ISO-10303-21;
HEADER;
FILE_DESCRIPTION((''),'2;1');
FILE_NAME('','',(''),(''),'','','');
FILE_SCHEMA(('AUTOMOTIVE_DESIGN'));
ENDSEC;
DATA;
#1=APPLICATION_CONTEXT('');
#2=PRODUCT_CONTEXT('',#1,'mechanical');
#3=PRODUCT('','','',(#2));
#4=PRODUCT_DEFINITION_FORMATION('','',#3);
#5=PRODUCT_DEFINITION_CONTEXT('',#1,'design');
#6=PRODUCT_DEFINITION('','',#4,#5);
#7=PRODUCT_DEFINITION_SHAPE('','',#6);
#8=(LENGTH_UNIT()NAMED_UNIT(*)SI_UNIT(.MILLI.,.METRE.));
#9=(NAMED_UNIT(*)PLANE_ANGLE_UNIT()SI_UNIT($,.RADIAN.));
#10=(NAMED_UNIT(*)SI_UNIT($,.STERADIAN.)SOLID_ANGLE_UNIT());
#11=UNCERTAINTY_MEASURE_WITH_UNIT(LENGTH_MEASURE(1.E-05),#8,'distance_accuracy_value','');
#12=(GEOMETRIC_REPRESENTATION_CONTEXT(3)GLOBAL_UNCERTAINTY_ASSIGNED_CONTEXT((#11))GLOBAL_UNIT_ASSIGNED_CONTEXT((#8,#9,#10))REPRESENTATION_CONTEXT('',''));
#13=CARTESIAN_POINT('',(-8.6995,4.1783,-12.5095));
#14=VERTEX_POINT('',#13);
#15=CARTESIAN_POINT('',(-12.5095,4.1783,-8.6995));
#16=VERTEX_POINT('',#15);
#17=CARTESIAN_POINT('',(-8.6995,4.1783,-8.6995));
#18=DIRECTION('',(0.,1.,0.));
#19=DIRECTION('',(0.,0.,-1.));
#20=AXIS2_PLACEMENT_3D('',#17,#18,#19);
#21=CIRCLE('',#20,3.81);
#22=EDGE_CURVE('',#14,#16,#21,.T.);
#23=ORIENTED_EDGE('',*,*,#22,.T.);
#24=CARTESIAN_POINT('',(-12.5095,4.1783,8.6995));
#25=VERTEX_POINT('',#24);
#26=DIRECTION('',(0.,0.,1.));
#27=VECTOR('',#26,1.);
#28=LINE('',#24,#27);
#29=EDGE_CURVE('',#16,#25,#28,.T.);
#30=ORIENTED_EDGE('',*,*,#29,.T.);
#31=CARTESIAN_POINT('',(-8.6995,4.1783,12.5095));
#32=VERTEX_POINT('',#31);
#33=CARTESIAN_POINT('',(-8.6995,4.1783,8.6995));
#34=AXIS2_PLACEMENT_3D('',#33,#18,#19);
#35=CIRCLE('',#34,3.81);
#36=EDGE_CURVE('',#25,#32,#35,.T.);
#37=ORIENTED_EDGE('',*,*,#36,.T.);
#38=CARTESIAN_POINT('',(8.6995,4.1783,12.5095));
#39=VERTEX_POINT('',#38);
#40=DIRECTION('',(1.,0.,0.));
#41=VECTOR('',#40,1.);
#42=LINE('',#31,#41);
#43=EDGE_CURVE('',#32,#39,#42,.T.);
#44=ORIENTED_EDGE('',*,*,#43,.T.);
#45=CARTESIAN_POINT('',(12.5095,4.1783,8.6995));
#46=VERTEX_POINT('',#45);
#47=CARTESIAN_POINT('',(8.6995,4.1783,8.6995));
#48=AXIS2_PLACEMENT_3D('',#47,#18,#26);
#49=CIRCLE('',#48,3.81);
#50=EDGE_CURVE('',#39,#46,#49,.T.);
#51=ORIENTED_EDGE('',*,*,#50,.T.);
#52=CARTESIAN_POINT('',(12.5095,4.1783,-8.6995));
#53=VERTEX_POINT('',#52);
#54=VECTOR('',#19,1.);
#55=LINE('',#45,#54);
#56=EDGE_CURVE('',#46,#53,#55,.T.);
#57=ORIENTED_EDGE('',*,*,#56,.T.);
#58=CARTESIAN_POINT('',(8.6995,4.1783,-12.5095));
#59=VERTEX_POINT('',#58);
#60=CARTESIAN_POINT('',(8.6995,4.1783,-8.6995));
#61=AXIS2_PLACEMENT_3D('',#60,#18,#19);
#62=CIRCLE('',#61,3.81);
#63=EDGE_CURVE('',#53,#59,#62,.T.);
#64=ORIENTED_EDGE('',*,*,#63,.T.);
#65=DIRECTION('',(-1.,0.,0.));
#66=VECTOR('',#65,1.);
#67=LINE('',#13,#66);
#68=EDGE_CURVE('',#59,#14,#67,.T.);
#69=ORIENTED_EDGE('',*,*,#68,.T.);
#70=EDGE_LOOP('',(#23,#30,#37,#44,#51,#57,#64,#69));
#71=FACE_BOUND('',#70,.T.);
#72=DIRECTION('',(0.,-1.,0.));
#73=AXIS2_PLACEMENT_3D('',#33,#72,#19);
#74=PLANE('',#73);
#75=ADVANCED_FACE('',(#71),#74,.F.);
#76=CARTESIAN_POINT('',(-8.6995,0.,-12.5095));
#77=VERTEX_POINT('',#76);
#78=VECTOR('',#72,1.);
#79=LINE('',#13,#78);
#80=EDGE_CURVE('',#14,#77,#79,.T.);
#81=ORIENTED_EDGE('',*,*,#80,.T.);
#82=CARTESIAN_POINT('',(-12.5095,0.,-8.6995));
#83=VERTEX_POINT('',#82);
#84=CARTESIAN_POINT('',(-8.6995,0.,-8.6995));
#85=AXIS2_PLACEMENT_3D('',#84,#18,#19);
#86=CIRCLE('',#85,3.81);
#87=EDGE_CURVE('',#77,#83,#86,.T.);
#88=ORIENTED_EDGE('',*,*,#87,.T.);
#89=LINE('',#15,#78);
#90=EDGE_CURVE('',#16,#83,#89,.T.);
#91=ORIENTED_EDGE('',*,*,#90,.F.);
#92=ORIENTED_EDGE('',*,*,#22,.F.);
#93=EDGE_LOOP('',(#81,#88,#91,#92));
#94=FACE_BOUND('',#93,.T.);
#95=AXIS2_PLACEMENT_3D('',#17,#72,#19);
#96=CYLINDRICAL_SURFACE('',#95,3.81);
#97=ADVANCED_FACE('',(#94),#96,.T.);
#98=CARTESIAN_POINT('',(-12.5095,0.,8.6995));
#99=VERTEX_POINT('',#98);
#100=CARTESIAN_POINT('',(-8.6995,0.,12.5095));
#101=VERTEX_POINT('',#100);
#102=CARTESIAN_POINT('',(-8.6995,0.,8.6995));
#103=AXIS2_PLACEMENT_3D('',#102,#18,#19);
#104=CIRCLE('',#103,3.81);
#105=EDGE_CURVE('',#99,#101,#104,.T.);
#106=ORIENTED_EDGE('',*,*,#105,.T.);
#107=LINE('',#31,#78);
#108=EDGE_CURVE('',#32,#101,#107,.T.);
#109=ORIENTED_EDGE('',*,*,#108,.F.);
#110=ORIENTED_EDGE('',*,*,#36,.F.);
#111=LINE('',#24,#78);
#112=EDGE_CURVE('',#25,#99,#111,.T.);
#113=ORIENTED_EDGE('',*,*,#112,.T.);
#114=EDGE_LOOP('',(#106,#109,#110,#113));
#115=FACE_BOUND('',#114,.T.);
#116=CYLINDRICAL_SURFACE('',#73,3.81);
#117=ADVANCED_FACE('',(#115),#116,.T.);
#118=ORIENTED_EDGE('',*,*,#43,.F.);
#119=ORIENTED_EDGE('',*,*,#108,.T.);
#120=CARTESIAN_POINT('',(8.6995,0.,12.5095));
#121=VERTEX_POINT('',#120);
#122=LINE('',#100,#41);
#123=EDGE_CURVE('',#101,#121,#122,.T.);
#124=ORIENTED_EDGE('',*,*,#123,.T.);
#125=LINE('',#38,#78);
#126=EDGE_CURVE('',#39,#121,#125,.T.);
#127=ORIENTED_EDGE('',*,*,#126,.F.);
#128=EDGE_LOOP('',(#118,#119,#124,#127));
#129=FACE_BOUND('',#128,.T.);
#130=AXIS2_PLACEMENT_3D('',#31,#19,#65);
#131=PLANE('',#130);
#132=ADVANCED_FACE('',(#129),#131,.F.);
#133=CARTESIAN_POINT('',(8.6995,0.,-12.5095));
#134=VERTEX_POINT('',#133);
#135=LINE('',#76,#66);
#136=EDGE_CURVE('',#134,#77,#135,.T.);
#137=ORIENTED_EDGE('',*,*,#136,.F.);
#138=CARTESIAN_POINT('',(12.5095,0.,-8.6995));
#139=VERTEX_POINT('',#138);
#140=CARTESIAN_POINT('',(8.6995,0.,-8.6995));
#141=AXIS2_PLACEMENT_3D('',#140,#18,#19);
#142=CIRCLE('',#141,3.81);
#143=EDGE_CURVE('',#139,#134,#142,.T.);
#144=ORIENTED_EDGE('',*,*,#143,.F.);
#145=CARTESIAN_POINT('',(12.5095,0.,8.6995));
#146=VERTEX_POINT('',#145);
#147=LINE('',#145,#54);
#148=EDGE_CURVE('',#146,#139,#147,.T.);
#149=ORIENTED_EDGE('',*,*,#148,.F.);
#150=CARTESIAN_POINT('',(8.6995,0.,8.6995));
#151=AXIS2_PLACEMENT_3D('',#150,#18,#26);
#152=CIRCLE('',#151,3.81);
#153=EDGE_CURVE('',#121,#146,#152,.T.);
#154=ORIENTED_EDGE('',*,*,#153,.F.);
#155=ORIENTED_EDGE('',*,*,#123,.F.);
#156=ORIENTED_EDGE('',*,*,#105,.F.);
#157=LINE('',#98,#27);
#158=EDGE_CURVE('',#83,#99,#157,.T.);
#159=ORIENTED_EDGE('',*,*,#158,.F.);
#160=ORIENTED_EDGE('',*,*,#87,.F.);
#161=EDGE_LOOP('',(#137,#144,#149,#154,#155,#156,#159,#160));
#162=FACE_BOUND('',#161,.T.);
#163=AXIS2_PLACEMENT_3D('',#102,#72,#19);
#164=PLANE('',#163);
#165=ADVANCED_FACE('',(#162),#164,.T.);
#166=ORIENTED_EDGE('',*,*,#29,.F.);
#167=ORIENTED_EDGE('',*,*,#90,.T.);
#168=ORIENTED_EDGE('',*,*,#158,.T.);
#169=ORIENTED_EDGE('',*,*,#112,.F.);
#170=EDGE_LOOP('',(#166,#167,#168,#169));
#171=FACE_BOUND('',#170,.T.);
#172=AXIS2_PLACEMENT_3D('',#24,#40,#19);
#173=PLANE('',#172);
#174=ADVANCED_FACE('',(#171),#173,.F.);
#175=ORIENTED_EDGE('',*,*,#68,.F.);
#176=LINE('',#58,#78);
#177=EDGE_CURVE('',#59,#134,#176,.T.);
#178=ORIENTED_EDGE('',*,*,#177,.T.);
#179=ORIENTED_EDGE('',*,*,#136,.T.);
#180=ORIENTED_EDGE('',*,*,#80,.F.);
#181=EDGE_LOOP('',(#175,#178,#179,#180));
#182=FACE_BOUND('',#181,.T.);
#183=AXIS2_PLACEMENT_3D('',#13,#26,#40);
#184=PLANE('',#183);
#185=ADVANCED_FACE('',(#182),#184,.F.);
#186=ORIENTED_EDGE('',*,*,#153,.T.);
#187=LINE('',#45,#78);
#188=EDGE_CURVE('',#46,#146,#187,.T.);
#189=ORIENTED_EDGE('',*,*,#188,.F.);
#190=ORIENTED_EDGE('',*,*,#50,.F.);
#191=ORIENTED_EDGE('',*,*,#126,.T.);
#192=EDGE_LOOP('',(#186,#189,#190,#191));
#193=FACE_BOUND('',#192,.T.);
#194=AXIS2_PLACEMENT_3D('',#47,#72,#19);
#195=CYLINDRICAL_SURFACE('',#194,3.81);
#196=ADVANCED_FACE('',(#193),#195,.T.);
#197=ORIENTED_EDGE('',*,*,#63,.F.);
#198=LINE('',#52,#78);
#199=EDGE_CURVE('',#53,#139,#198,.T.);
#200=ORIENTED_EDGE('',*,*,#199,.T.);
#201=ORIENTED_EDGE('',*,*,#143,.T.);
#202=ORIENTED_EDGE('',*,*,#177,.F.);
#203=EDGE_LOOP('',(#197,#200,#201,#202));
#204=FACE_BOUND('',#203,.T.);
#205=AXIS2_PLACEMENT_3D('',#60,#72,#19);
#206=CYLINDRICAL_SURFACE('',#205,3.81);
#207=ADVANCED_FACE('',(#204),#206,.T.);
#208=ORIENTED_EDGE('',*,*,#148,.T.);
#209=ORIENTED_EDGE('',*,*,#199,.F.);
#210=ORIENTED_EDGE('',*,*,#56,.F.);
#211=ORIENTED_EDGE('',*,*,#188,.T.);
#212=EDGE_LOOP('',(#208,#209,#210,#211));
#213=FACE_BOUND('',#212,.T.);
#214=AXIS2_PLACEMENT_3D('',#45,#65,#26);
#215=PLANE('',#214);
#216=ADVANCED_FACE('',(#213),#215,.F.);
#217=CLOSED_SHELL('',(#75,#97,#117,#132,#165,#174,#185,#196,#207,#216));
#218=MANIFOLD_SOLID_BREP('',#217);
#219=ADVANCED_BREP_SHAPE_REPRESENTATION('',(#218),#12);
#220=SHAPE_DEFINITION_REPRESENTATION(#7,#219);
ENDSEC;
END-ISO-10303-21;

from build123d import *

# Parameters (mm, degrees)
BOSS_EXTRUDE1_DEPTH = 4.1783


with BuildPart() as part:
    # Sketch1 → Boss-Extrude1 (new body)
    with BuildSketch(Plane(origin=(0, 0, 0), x_dir=(1, 0, 0), z_dir=(0, 1, 0))):
        with BuildLine():
            Line((-8.6995, -12.5095), (8.6995, -12.5095))
            ThreePointArc((8.6995, -12.5095), (11.393576836, -11.393576836), (12.5095, -8.6995))
            Line((12.5095, -8.6995), (12.5095, 8.6995))
            ThreePointArc((12.5095, 8.6995), (11.393576836, 11.393576836), (8.6995, 12.5095))
            Line((8.6995, 12.5095), (-8.6995, 12.5095))
            ThreePointArc((-8.6995, 12.5095), (-11.393576836, 11.393576836), (-12.5095, 8.6995))
            Line((-12.5095, 8.6995), (-12.5095, -8.6995))
            ThreePointArc((-12.5095, -8.6995), (-11.393576836, -11.393576836), (-8.6995, -12.5095))
        make_face()
    extrude(amount=BOSS_EXTRUDE1_DEPTH)


solid = part.part
